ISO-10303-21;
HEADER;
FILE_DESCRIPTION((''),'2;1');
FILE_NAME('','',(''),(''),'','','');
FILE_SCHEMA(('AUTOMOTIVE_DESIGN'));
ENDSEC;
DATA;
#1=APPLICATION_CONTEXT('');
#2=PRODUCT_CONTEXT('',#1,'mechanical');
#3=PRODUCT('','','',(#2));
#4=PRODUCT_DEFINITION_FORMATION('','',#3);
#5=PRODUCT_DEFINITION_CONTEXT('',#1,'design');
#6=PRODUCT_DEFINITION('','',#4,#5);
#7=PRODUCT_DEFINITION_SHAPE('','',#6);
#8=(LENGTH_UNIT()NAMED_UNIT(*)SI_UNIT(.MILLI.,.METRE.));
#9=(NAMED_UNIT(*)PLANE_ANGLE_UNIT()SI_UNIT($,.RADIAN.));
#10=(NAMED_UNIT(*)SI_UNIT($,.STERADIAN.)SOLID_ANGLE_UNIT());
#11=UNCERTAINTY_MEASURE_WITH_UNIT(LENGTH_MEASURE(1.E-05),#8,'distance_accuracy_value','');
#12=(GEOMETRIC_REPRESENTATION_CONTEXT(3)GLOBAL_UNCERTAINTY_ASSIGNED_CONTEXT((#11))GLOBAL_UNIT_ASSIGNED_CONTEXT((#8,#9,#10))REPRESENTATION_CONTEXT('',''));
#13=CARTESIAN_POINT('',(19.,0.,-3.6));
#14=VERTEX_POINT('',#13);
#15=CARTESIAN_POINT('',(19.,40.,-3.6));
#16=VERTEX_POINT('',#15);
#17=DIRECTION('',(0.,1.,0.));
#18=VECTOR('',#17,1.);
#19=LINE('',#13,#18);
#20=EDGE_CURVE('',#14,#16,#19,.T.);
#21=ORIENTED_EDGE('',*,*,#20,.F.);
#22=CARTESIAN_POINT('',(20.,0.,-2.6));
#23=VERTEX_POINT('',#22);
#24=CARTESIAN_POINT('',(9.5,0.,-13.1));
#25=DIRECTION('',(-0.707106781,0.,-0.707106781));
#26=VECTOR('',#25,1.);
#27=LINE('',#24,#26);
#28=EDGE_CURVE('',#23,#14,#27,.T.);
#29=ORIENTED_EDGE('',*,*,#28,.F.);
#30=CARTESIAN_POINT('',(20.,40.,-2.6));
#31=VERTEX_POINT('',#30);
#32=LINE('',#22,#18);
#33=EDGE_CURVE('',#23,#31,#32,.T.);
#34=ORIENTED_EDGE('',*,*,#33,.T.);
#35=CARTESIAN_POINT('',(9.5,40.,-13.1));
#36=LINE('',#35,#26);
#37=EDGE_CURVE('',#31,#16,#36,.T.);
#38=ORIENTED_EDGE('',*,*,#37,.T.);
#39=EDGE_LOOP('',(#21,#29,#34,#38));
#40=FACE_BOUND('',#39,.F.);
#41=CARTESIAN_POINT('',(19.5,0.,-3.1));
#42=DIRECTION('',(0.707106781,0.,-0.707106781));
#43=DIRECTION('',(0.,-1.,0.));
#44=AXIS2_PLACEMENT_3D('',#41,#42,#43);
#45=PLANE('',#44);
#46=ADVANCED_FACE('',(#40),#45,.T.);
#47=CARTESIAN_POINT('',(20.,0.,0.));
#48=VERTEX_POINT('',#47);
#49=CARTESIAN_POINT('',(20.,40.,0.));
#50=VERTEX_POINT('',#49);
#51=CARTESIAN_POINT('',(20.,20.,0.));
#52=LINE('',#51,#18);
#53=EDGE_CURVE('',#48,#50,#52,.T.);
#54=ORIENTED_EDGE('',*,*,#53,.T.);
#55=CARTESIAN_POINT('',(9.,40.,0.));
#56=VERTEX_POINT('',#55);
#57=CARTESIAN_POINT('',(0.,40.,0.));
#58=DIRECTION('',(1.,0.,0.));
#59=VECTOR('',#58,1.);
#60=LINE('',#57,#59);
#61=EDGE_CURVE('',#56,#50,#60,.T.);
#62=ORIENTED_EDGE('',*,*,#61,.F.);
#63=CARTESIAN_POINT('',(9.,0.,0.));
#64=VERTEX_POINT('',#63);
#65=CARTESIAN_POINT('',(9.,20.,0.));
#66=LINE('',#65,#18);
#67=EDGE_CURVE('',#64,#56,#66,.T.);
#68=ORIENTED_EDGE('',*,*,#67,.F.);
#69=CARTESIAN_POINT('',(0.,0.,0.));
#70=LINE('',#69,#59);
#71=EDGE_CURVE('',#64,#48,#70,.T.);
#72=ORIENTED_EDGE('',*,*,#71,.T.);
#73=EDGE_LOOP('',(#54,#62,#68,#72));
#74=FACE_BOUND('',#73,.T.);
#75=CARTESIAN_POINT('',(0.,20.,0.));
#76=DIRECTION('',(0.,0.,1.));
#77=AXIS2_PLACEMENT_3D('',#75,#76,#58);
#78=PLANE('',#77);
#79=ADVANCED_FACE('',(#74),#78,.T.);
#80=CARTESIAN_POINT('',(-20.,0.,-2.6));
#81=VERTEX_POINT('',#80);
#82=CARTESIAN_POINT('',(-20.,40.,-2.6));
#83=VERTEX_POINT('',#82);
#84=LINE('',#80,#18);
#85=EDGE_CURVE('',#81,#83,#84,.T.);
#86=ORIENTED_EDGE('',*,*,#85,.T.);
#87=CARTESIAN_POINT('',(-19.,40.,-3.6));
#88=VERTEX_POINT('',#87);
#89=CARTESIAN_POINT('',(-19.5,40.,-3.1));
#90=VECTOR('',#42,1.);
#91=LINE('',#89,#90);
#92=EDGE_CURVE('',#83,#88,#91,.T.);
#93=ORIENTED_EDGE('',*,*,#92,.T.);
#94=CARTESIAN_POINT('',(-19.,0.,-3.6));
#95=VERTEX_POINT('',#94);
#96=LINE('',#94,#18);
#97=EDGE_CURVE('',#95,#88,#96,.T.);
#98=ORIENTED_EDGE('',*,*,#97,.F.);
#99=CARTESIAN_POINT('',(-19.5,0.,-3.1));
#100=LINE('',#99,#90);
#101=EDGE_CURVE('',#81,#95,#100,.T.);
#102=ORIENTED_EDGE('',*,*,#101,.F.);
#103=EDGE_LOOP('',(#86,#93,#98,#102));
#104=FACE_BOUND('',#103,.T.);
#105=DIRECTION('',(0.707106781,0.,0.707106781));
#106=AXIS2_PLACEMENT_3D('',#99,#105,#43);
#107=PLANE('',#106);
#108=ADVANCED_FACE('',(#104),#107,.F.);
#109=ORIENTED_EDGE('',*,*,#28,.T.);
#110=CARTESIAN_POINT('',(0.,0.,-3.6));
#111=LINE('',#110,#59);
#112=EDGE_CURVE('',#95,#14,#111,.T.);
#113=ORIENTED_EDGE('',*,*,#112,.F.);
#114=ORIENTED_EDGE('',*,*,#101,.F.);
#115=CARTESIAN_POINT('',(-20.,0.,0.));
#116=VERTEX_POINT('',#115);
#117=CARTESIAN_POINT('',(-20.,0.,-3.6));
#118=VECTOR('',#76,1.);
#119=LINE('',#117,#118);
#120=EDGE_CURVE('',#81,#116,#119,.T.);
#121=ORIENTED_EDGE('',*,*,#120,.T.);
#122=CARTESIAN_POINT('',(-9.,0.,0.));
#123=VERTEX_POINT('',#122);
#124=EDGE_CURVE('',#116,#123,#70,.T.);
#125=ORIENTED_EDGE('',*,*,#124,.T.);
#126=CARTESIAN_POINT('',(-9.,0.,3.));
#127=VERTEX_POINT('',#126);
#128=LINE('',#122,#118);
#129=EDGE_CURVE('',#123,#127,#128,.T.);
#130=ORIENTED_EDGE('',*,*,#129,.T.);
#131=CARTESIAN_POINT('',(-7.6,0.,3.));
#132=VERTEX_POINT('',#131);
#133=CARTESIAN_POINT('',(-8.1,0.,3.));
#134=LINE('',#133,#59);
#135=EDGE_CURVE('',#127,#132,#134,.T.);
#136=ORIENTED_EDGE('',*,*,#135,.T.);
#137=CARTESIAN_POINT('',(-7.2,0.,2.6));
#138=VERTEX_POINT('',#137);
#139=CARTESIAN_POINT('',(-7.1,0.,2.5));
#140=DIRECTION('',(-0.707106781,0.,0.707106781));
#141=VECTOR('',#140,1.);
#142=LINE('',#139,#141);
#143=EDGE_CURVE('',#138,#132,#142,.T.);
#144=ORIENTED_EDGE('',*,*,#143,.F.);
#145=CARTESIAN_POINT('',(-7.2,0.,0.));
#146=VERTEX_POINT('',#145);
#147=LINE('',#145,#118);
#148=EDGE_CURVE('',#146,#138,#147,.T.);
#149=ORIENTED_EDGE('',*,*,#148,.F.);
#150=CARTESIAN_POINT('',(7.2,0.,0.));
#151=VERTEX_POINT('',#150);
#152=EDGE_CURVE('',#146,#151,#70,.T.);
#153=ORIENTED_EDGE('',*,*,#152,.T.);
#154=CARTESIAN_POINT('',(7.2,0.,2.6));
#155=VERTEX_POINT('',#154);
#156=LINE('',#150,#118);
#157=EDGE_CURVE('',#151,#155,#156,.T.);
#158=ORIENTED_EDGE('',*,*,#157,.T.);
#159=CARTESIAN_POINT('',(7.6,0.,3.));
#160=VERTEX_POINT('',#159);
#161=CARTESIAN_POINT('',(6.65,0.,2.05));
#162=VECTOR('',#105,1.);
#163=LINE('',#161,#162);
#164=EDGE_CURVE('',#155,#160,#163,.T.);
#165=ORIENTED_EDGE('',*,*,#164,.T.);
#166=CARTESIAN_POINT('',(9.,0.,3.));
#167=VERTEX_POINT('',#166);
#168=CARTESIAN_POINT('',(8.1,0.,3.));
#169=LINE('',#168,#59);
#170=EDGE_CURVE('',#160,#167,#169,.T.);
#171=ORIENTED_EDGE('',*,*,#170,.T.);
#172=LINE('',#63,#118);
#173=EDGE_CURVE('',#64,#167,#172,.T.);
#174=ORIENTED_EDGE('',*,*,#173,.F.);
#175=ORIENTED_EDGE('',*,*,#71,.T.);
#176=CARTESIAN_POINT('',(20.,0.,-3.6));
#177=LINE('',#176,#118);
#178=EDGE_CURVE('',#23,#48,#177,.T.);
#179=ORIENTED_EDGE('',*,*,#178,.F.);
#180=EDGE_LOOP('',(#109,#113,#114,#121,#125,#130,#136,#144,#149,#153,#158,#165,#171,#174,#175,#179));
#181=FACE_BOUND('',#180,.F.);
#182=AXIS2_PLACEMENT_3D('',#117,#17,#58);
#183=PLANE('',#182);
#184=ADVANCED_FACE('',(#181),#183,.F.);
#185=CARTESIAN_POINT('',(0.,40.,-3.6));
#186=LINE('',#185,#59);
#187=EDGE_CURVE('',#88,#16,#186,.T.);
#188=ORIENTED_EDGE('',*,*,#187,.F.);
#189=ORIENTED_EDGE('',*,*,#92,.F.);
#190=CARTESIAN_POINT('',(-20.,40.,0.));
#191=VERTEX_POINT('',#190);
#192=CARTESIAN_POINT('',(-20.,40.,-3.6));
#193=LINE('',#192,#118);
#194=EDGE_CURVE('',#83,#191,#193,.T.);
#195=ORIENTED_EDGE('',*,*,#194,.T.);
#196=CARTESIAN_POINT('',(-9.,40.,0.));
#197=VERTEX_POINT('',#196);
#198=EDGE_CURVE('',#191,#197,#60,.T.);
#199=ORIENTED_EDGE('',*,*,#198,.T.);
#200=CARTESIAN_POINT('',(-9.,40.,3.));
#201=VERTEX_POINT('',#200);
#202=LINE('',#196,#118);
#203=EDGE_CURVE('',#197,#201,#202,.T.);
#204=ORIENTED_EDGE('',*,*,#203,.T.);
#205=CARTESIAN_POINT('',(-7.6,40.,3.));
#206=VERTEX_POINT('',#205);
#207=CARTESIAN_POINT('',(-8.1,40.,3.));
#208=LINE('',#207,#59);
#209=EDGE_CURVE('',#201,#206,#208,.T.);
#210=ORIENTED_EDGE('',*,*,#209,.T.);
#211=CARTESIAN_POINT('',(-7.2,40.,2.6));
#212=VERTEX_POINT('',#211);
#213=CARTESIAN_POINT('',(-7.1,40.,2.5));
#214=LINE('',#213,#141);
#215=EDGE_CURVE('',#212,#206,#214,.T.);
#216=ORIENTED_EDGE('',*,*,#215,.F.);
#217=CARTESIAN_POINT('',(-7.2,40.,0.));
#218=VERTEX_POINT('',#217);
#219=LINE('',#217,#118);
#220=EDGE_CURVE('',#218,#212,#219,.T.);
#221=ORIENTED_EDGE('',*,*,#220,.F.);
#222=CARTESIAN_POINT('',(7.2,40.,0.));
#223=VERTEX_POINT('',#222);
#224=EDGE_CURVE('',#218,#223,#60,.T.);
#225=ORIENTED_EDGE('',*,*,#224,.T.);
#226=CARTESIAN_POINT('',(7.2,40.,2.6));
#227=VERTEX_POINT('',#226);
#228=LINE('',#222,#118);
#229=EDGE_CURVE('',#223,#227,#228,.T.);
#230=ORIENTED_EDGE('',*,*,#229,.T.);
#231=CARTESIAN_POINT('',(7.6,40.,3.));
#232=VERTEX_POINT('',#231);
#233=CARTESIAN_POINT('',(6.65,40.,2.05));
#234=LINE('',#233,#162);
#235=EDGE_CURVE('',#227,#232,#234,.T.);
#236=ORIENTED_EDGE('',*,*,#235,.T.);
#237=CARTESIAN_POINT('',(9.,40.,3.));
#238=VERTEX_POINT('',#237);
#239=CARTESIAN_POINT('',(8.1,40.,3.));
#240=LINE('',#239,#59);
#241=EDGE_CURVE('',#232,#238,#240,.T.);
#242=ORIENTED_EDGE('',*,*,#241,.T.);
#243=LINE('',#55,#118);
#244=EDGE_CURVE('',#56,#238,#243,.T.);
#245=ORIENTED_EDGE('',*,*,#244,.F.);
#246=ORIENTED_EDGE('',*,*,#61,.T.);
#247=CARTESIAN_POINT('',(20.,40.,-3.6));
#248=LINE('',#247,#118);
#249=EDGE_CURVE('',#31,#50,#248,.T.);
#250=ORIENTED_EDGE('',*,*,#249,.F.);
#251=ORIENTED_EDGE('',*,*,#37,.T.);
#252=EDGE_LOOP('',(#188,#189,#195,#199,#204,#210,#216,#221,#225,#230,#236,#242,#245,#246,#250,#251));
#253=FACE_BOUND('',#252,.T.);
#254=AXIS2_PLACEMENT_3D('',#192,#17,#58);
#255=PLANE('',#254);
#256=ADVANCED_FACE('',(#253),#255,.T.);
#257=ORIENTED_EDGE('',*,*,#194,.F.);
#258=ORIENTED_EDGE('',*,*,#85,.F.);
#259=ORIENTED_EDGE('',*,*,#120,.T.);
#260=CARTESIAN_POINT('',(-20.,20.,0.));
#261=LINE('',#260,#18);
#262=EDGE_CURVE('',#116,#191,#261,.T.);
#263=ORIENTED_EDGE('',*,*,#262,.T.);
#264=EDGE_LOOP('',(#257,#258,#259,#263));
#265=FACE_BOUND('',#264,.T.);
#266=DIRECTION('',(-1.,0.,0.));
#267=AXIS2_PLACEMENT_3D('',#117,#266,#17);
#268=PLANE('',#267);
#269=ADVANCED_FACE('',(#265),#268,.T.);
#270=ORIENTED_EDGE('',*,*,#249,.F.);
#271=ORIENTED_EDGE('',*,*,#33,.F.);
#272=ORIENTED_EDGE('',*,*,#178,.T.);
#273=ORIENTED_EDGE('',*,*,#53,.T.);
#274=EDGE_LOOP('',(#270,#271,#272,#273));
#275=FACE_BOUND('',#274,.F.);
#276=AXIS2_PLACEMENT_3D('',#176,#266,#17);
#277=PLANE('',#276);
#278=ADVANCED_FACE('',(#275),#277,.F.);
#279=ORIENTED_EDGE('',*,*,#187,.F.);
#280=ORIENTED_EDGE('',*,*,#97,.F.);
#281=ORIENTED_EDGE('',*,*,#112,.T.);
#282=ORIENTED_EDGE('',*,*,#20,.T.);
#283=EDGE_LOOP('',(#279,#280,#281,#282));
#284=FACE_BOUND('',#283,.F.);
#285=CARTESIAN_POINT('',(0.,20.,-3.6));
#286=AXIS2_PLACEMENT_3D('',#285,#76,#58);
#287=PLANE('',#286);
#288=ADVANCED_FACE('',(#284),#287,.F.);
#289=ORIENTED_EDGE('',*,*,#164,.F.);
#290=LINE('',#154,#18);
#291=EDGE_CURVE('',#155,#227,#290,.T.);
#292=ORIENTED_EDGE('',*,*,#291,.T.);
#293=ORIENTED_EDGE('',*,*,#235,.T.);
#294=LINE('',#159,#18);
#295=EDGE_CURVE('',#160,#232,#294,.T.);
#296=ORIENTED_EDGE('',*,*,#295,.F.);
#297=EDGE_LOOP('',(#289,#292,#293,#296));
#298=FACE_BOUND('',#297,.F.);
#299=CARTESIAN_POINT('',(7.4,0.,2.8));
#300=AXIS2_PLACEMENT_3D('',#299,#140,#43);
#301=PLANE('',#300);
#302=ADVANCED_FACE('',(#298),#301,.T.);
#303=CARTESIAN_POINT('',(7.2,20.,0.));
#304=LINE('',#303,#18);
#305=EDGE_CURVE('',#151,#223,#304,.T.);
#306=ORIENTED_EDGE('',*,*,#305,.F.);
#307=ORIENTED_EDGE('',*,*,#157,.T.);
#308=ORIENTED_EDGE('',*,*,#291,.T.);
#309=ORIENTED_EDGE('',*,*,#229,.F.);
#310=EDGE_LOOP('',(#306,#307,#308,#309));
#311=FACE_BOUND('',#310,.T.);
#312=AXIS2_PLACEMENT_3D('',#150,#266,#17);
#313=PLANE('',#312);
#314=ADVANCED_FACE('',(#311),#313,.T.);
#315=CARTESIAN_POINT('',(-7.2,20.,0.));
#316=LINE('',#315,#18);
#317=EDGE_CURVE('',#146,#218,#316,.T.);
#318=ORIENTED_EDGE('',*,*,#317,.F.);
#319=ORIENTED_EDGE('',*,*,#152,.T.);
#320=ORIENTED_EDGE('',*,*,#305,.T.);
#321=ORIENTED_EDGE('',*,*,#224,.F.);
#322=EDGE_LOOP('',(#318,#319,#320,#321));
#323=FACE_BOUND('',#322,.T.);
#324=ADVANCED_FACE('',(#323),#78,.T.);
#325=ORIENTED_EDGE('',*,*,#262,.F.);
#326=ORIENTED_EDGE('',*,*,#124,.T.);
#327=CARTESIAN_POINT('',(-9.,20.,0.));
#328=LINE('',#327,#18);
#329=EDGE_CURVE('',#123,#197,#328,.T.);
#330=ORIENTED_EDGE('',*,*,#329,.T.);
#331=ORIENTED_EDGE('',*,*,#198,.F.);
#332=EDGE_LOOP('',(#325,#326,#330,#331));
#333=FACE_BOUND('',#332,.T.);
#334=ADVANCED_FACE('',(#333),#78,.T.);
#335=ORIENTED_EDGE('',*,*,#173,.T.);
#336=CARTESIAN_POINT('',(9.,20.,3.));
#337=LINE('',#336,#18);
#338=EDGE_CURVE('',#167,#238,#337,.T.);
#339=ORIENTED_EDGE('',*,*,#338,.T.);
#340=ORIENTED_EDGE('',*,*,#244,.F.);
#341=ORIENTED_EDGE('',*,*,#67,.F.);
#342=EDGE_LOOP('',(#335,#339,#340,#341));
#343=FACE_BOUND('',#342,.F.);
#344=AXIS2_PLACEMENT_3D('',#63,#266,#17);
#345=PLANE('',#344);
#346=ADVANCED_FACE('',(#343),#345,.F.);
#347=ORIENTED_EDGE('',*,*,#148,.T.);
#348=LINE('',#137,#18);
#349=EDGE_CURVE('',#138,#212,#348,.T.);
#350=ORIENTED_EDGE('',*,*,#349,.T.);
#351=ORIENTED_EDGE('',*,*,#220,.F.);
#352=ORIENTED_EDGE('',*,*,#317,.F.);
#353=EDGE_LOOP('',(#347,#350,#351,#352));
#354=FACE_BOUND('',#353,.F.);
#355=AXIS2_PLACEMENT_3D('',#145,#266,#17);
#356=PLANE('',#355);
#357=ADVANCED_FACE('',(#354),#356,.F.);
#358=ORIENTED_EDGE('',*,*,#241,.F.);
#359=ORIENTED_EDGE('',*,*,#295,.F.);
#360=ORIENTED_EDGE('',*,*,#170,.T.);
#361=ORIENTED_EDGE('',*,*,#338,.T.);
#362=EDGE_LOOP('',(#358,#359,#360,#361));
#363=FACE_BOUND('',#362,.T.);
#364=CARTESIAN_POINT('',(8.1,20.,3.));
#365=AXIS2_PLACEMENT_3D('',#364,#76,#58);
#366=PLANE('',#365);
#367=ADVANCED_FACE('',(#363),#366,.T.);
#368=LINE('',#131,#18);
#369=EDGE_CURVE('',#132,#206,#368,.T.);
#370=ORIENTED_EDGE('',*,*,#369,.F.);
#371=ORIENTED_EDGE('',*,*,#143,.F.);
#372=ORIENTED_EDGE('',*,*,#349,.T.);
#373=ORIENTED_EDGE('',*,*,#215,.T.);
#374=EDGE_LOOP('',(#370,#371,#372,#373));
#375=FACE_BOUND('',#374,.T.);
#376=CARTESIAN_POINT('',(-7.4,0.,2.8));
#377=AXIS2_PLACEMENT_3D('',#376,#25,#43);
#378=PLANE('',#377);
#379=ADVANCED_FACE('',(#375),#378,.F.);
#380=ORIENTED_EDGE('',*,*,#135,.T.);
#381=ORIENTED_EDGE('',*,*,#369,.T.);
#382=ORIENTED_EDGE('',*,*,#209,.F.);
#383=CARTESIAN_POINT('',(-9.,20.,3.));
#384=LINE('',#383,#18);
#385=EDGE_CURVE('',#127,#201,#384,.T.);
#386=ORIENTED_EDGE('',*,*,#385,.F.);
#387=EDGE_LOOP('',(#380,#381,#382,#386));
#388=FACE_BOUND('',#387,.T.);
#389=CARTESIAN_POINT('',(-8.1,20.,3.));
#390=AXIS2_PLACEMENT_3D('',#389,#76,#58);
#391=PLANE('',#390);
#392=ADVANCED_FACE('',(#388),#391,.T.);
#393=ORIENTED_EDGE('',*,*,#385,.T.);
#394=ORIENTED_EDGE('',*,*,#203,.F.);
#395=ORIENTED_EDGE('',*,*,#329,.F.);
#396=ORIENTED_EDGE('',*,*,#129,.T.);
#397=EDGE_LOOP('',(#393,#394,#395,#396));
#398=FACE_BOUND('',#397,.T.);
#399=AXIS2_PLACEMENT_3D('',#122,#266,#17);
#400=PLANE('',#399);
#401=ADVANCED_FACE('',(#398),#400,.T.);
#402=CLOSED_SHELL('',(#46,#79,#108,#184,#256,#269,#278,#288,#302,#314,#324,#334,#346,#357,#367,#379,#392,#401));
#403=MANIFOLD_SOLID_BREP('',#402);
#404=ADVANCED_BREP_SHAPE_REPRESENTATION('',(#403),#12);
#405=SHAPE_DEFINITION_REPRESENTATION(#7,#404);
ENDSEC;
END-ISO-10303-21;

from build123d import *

# Parameters (mm, degrees)
BOX002_W           = 1.8
BOX002_H           = 40
BOX002_DEPTH       = 3
CHAMFER001_SIZE    = 0.4
BOX001_W           = 1.8
BOX001_H           = 40
BOX001_DEPTH       = 3
CHAMFER_SIZE       = 0.4
BOX_W              = 40
BOX_H              = 40
BOX_DEPTH          = 3.6
CHAMFER001003_SIZE = 1


with BuildPart() as chamfer001:
    # Box002 → Box002 (new body)
    with BuildSketch(Plane(origin=(7.2, 0, 0), x_dir=(1, 0, 0), z_dir=(0, 0, 1))):
        with Locations((0.9, 20)):
            Rectangle(BOX002_W, BOX002_H)
    extrude(amount=BOX002_DEPTH)

    # Chamfer001
    chamfer001_edges = [chamfer001.edges().sort_by_distance(p)[0] for p in [
        (7.2, 20, 3),
    ]]
    chamfer(chamfer001_edges, length=CHAMFER001_SIZE)


with BuildPart() as chamfer_body:
    # Box001 → Box001 (new body)
    with BuildSketch(Plane(origin=(-9, 0, 0), x_dir=(1, 0, 0), z_dir=(0, 0, 1))):
        with Locations((0.9, 20)):
            Rectangle(BOX001_W, BOX001_H)
    extrude(amount=BOX001_DEPTH)

    # Chamfer
    chamfer_edges = [chamfer_body.edges().sort_by_distance(p)[0] for p in [
        (-7.2, 20, 3),
    ]]
    chamfer(chamfer_edges, length=CHAMFER_SIZE)


with BuildPart() as fusion:
    # Box → Box (new body)
    with BuildSketch(Plane(origin=(-20, 0, -3.6), x_dir=(1, 0, 0), z_dir=(0, 0, 1))):
        with Locations((20, 20)):
            Rectangle(BOX_W, BOX_H)
    extrude(amount=BOX_DEPTH)

    # Chamfer001003
    chamfer001003_edges = [fusion.edges().sort_by_distance(p)[0] for p in [
        (-20, 20, -3.6),
        (20, 20, -3.6),
    ]]
    chamfer(chamfer001003_edges, length=CHAMFER001003_SIZE)

    # Fusion: union Chamfer001, Chamfer body
    add(chamfer001.part)
    add(chamfer_body.part)


solid = fusion.part
